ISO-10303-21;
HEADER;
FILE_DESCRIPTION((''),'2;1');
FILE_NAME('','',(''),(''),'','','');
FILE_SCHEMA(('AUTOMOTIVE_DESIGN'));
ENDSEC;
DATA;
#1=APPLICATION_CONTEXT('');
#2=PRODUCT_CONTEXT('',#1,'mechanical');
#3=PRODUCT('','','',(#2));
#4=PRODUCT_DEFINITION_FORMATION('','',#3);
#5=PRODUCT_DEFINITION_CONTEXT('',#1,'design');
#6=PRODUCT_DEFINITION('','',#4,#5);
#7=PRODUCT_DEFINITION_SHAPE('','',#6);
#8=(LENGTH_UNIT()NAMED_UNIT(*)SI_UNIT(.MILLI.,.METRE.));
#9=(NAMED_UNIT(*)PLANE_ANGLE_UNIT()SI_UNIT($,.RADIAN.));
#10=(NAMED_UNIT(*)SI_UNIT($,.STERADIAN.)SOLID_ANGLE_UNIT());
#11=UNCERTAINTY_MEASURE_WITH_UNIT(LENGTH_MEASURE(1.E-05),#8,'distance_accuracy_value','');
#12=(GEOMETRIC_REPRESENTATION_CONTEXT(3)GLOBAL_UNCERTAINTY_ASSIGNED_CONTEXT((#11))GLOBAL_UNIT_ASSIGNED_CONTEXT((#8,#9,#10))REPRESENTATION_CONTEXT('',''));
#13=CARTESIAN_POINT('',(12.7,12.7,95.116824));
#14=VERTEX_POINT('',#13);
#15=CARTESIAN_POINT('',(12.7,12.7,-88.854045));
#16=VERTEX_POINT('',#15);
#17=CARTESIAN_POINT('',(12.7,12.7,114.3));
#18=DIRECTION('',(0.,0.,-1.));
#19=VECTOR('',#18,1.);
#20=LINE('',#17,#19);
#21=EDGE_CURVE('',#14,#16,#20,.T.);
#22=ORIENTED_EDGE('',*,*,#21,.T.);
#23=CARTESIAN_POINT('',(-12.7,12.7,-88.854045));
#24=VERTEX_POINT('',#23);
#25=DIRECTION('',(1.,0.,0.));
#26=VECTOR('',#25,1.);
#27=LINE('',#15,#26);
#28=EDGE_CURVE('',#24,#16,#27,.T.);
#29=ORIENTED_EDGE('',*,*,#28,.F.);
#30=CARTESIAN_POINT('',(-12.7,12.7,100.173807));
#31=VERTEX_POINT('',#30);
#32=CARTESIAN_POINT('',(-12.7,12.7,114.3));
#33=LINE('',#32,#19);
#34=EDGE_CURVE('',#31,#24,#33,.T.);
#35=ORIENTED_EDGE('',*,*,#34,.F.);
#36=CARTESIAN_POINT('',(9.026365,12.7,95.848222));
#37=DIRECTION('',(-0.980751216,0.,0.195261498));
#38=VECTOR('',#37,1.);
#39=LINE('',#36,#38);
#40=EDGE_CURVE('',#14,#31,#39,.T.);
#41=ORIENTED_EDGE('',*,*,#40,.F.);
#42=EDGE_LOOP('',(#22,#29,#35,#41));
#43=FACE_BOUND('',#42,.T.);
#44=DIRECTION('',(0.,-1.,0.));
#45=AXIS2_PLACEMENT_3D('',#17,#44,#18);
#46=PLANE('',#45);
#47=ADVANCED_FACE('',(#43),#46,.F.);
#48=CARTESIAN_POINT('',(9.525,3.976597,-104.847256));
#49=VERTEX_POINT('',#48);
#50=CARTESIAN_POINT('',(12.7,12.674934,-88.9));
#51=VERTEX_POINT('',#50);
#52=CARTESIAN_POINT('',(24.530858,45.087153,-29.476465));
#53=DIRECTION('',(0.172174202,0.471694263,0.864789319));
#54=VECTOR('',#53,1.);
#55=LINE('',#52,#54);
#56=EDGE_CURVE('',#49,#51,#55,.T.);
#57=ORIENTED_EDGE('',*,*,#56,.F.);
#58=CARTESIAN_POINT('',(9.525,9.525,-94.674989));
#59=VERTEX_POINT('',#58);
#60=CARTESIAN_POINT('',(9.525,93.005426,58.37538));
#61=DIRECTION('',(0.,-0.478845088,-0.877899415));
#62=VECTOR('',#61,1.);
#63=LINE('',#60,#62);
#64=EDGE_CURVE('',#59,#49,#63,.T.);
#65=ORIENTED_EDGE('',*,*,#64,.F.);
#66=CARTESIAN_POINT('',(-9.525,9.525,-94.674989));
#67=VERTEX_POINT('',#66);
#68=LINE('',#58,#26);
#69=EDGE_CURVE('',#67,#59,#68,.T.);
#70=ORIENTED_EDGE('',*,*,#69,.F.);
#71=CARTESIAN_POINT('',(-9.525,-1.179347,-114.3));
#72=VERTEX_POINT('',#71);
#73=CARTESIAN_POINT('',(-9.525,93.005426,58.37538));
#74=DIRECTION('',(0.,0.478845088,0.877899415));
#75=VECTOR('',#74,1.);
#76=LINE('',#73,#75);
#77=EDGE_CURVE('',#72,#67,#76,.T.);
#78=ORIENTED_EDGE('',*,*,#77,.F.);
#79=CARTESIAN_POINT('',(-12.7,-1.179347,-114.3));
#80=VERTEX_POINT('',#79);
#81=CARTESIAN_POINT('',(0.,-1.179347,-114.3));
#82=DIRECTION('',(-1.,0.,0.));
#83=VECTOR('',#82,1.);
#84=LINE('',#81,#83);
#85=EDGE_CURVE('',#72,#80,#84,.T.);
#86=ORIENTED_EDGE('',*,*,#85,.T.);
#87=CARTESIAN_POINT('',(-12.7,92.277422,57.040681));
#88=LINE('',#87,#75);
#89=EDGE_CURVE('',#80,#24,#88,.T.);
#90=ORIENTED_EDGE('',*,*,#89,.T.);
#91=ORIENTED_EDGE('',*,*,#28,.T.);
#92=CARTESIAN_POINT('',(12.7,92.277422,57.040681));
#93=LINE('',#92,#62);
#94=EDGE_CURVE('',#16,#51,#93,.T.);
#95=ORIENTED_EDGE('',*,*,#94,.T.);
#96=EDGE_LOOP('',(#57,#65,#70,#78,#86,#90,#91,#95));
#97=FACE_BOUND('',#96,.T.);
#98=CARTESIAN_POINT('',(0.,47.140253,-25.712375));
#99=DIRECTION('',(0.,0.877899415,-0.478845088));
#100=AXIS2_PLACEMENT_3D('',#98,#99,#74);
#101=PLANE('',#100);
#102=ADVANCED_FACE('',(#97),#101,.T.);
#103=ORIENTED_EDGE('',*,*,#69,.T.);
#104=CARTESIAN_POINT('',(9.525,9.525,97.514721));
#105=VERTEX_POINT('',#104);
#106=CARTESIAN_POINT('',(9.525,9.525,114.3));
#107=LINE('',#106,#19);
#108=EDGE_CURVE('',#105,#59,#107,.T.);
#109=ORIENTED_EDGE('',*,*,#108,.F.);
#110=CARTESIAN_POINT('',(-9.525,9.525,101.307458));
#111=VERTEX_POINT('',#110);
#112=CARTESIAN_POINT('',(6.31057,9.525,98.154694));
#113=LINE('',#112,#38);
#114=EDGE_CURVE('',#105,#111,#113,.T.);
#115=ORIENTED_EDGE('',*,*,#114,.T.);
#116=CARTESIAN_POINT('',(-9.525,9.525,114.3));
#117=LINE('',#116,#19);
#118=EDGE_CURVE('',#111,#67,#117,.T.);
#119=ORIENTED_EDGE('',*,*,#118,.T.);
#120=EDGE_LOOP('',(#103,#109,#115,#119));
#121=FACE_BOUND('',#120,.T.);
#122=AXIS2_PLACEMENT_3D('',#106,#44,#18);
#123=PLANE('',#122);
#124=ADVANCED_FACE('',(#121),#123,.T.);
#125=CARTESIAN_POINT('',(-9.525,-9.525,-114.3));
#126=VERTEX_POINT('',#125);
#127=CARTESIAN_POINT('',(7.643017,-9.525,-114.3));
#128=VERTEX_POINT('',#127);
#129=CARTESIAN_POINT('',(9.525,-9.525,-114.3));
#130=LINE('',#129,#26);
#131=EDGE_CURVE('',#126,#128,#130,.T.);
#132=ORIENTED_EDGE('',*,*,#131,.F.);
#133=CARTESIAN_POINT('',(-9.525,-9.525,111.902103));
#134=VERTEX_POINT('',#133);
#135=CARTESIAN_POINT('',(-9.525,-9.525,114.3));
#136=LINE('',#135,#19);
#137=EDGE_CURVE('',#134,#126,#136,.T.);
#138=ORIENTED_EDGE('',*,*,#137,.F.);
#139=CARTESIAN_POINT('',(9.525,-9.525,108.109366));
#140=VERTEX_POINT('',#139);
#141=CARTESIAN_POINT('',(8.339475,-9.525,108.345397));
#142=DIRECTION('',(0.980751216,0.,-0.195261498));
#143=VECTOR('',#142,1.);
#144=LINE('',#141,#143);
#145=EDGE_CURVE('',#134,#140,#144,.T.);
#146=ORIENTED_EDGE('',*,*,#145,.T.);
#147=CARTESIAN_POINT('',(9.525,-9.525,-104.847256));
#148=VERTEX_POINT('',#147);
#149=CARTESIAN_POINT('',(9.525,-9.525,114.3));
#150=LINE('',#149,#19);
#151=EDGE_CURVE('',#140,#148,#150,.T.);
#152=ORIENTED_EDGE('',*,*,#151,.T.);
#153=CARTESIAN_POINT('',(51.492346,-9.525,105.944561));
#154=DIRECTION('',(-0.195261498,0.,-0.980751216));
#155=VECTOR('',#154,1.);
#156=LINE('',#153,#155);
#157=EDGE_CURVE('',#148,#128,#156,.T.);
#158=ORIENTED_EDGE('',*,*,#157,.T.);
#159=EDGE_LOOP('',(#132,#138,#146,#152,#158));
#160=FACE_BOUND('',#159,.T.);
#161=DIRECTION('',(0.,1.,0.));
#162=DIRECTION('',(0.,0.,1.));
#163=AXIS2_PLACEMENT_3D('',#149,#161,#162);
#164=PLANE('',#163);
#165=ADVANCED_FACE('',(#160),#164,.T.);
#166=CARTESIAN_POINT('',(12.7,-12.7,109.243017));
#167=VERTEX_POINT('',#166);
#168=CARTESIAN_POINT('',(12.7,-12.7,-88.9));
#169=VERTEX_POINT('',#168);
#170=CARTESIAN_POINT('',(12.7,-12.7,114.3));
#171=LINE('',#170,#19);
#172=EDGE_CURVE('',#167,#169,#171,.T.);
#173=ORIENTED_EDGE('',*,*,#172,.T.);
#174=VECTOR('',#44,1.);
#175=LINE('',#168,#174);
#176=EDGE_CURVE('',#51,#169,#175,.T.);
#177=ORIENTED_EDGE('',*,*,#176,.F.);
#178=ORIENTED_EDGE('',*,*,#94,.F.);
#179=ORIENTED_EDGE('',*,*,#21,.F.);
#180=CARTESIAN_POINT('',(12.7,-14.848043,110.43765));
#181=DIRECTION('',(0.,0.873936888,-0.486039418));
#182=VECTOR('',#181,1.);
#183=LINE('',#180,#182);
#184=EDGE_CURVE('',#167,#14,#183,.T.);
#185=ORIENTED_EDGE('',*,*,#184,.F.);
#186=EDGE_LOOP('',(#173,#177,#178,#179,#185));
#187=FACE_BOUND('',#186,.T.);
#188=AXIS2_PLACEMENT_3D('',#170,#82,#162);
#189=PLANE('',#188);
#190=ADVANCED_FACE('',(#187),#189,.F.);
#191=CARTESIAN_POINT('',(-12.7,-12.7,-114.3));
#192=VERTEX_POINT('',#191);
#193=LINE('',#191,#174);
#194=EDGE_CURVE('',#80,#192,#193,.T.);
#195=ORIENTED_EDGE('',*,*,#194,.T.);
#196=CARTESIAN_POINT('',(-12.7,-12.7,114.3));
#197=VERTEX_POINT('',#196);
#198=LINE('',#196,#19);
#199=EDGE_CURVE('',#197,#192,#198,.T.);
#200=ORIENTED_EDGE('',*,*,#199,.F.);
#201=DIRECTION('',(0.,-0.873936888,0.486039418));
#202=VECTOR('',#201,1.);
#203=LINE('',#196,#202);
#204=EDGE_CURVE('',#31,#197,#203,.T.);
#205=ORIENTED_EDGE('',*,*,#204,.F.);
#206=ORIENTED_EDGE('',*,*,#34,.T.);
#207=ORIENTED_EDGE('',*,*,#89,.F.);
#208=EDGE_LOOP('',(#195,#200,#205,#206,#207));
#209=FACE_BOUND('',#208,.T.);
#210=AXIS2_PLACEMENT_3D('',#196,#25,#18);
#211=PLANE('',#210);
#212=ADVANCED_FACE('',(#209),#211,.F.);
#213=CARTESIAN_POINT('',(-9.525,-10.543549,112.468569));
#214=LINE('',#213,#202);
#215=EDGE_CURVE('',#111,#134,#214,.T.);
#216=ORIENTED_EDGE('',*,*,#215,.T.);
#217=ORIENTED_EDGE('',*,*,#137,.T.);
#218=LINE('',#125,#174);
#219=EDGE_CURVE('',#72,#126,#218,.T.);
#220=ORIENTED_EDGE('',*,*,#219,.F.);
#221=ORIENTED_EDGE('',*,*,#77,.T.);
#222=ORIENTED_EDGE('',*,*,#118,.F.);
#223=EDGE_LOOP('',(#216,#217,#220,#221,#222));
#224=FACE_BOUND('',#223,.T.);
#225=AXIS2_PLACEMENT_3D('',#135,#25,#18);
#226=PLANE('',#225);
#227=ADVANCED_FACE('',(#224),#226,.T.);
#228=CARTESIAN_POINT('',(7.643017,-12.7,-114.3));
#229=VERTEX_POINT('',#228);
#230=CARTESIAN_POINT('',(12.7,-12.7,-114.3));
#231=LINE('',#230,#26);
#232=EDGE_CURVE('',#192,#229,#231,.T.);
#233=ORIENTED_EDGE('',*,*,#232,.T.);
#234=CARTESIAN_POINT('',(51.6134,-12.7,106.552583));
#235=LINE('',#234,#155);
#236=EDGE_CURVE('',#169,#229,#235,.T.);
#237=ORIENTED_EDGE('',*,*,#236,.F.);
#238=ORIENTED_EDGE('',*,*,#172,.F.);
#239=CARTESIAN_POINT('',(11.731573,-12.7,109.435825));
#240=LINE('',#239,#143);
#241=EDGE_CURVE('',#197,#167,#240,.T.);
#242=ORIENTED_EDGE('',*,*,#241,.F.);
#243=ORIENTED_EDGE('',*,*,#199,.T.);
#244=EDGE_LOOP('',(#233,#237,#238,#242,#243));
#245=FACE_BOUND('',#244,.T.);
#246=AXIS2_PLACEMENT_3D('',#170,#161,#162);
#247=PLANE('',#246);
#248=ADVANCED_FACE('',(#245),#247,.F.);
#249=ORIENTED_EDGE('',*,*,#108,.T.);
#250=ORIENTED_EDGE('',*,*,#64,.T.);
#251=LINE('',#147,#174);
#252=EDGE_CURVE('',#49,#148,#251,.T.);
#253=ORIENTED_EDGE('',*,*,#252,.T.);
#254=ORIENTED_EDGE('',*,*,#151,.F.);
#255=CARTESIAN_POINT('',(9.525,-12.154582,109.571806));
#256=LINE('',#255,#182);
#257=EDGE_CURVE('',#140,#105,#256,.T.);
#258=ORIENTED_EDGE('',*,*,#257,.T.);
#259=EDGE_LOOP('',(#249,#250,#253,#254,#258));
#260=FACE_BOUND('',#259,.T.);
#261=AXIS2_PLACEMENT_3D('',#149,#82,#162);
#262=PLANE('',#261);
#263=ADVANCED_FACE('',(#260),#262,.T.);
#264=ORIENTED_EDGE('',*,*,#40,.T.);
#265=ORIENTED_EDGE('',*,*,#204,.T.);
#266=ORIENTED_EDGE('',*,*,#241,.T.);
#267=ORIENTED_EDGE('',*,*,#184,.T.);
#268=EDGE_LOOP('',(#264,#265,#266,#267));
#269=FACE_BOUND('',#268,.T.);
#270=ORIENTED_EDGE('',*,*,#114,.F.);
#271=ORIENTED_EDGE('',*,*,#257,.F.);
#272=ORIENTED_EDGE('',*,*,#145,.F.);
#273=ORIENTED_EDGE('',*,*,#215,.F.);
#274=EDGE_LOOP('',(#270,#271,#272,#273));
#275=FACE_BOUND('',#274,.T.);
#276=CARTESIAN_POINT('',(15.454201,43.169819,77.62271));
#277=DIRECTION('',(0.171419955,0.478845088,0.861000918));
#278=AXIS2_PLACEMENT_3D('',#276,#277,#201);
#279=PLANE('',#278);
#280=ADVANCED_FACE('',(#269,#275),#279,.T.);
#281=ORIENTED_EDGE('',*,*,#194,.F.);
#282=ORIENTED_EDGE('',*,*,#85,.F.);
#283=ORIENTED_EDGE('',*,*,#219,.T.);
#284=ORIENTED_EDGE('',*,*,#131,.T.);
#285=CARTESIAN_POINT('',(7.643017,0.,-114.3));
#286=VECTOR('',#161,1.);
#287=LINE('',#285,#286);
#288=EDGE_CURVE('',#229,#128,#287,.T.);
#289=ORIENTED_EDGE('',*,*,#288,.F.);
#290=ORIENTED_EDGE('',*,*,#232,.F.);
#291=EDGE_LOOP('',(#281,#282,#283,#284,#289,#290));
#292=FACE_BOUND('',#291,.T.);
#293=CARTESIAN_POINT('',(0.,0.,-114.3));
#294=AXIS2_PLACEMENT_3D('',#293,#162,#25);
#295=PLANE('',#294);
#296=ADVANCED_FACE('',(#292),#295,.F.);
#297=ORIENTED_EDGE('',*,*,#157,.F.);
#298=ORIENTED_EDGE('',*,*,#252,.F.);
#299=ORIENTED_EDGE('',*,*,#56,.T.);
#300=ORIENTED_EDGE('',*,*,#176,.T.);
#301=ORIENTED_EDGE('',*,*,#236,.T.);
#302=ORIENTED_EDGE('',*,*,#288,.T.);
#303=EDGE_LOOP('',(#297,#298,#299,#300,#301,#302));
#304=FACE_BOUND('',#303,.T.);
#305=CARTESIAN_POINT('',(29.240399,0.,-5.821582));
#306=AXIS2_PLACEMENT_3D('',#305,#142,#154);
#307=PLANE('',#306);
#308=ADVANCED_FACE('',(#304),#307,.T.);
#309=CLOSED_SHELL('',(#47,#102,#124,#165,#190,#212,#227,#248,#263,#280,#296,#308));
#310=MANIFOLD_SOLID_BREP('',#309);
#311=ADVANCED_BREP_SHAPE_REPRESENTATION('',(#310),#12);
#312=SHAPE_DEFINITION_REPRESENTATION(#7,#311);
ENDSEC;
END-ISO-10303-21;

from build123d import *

# Parameters (mm, degrees)
BOSS_EXTRUDE1_DEPTH      = 114.3
BOSS_EXTRUDE1_DEPTH_BACK = 114.3
SKETCH3_W                = 25.4
SKETCH3_H                = 25.4
SKETCH3_W_2              = 19.05
SKETCH3_H_2              = 19.05


with BuildPart() as part:
    # Sketch3 → Boss-Extrude1 (new, two sides: drawn at the far end of the back side and taken through both)
    with BuildSketch(Plane.XY.offset(-BOSS_EXTRUDE1_DEPTH_BACK)):
        Rectangle(SKETCH3_W, SKETCH3_H)
        Rectangle(SKETCH3_W_2, SKETCH3_H_2, mode=Mode.SUBTRACT)
    extrude(amount=BOSS_EXTRUDE1_DEPTH + BOSS_EXTRUDE1_DEPTH_BACK)

    # SurfaceCut2
    split(bisect_by=Plane(origin=(15.454201301, 43.169818655, 77.622710273), x_dir=(0.9807512157806098, 0, -0.1952614983678451), z_dir=(0.17141995510435715, 0.47884508758591265, 0.8610009181684186)), keep=Keep.BOTTOM)

    # SurfaceCut4
    split(bisect_by=Plane(origin=(29.240398856, 0, -5.821582478), x_dir=(0, 1, 0), z_dir=(0.9807512157806096, 0, -0.19526149836784543)), keep=Keep.BOTTOM)

    # SurfaceCut5
    split(bisect_by=Plane(origin=(0, 47.140253483, -25.712374827), x_dir=(1, 0, 0), z_dir=(0, 0.8778994145657232, -0.47884508758591277)), keep=Keep.BOTTOM)


solid = part.part
